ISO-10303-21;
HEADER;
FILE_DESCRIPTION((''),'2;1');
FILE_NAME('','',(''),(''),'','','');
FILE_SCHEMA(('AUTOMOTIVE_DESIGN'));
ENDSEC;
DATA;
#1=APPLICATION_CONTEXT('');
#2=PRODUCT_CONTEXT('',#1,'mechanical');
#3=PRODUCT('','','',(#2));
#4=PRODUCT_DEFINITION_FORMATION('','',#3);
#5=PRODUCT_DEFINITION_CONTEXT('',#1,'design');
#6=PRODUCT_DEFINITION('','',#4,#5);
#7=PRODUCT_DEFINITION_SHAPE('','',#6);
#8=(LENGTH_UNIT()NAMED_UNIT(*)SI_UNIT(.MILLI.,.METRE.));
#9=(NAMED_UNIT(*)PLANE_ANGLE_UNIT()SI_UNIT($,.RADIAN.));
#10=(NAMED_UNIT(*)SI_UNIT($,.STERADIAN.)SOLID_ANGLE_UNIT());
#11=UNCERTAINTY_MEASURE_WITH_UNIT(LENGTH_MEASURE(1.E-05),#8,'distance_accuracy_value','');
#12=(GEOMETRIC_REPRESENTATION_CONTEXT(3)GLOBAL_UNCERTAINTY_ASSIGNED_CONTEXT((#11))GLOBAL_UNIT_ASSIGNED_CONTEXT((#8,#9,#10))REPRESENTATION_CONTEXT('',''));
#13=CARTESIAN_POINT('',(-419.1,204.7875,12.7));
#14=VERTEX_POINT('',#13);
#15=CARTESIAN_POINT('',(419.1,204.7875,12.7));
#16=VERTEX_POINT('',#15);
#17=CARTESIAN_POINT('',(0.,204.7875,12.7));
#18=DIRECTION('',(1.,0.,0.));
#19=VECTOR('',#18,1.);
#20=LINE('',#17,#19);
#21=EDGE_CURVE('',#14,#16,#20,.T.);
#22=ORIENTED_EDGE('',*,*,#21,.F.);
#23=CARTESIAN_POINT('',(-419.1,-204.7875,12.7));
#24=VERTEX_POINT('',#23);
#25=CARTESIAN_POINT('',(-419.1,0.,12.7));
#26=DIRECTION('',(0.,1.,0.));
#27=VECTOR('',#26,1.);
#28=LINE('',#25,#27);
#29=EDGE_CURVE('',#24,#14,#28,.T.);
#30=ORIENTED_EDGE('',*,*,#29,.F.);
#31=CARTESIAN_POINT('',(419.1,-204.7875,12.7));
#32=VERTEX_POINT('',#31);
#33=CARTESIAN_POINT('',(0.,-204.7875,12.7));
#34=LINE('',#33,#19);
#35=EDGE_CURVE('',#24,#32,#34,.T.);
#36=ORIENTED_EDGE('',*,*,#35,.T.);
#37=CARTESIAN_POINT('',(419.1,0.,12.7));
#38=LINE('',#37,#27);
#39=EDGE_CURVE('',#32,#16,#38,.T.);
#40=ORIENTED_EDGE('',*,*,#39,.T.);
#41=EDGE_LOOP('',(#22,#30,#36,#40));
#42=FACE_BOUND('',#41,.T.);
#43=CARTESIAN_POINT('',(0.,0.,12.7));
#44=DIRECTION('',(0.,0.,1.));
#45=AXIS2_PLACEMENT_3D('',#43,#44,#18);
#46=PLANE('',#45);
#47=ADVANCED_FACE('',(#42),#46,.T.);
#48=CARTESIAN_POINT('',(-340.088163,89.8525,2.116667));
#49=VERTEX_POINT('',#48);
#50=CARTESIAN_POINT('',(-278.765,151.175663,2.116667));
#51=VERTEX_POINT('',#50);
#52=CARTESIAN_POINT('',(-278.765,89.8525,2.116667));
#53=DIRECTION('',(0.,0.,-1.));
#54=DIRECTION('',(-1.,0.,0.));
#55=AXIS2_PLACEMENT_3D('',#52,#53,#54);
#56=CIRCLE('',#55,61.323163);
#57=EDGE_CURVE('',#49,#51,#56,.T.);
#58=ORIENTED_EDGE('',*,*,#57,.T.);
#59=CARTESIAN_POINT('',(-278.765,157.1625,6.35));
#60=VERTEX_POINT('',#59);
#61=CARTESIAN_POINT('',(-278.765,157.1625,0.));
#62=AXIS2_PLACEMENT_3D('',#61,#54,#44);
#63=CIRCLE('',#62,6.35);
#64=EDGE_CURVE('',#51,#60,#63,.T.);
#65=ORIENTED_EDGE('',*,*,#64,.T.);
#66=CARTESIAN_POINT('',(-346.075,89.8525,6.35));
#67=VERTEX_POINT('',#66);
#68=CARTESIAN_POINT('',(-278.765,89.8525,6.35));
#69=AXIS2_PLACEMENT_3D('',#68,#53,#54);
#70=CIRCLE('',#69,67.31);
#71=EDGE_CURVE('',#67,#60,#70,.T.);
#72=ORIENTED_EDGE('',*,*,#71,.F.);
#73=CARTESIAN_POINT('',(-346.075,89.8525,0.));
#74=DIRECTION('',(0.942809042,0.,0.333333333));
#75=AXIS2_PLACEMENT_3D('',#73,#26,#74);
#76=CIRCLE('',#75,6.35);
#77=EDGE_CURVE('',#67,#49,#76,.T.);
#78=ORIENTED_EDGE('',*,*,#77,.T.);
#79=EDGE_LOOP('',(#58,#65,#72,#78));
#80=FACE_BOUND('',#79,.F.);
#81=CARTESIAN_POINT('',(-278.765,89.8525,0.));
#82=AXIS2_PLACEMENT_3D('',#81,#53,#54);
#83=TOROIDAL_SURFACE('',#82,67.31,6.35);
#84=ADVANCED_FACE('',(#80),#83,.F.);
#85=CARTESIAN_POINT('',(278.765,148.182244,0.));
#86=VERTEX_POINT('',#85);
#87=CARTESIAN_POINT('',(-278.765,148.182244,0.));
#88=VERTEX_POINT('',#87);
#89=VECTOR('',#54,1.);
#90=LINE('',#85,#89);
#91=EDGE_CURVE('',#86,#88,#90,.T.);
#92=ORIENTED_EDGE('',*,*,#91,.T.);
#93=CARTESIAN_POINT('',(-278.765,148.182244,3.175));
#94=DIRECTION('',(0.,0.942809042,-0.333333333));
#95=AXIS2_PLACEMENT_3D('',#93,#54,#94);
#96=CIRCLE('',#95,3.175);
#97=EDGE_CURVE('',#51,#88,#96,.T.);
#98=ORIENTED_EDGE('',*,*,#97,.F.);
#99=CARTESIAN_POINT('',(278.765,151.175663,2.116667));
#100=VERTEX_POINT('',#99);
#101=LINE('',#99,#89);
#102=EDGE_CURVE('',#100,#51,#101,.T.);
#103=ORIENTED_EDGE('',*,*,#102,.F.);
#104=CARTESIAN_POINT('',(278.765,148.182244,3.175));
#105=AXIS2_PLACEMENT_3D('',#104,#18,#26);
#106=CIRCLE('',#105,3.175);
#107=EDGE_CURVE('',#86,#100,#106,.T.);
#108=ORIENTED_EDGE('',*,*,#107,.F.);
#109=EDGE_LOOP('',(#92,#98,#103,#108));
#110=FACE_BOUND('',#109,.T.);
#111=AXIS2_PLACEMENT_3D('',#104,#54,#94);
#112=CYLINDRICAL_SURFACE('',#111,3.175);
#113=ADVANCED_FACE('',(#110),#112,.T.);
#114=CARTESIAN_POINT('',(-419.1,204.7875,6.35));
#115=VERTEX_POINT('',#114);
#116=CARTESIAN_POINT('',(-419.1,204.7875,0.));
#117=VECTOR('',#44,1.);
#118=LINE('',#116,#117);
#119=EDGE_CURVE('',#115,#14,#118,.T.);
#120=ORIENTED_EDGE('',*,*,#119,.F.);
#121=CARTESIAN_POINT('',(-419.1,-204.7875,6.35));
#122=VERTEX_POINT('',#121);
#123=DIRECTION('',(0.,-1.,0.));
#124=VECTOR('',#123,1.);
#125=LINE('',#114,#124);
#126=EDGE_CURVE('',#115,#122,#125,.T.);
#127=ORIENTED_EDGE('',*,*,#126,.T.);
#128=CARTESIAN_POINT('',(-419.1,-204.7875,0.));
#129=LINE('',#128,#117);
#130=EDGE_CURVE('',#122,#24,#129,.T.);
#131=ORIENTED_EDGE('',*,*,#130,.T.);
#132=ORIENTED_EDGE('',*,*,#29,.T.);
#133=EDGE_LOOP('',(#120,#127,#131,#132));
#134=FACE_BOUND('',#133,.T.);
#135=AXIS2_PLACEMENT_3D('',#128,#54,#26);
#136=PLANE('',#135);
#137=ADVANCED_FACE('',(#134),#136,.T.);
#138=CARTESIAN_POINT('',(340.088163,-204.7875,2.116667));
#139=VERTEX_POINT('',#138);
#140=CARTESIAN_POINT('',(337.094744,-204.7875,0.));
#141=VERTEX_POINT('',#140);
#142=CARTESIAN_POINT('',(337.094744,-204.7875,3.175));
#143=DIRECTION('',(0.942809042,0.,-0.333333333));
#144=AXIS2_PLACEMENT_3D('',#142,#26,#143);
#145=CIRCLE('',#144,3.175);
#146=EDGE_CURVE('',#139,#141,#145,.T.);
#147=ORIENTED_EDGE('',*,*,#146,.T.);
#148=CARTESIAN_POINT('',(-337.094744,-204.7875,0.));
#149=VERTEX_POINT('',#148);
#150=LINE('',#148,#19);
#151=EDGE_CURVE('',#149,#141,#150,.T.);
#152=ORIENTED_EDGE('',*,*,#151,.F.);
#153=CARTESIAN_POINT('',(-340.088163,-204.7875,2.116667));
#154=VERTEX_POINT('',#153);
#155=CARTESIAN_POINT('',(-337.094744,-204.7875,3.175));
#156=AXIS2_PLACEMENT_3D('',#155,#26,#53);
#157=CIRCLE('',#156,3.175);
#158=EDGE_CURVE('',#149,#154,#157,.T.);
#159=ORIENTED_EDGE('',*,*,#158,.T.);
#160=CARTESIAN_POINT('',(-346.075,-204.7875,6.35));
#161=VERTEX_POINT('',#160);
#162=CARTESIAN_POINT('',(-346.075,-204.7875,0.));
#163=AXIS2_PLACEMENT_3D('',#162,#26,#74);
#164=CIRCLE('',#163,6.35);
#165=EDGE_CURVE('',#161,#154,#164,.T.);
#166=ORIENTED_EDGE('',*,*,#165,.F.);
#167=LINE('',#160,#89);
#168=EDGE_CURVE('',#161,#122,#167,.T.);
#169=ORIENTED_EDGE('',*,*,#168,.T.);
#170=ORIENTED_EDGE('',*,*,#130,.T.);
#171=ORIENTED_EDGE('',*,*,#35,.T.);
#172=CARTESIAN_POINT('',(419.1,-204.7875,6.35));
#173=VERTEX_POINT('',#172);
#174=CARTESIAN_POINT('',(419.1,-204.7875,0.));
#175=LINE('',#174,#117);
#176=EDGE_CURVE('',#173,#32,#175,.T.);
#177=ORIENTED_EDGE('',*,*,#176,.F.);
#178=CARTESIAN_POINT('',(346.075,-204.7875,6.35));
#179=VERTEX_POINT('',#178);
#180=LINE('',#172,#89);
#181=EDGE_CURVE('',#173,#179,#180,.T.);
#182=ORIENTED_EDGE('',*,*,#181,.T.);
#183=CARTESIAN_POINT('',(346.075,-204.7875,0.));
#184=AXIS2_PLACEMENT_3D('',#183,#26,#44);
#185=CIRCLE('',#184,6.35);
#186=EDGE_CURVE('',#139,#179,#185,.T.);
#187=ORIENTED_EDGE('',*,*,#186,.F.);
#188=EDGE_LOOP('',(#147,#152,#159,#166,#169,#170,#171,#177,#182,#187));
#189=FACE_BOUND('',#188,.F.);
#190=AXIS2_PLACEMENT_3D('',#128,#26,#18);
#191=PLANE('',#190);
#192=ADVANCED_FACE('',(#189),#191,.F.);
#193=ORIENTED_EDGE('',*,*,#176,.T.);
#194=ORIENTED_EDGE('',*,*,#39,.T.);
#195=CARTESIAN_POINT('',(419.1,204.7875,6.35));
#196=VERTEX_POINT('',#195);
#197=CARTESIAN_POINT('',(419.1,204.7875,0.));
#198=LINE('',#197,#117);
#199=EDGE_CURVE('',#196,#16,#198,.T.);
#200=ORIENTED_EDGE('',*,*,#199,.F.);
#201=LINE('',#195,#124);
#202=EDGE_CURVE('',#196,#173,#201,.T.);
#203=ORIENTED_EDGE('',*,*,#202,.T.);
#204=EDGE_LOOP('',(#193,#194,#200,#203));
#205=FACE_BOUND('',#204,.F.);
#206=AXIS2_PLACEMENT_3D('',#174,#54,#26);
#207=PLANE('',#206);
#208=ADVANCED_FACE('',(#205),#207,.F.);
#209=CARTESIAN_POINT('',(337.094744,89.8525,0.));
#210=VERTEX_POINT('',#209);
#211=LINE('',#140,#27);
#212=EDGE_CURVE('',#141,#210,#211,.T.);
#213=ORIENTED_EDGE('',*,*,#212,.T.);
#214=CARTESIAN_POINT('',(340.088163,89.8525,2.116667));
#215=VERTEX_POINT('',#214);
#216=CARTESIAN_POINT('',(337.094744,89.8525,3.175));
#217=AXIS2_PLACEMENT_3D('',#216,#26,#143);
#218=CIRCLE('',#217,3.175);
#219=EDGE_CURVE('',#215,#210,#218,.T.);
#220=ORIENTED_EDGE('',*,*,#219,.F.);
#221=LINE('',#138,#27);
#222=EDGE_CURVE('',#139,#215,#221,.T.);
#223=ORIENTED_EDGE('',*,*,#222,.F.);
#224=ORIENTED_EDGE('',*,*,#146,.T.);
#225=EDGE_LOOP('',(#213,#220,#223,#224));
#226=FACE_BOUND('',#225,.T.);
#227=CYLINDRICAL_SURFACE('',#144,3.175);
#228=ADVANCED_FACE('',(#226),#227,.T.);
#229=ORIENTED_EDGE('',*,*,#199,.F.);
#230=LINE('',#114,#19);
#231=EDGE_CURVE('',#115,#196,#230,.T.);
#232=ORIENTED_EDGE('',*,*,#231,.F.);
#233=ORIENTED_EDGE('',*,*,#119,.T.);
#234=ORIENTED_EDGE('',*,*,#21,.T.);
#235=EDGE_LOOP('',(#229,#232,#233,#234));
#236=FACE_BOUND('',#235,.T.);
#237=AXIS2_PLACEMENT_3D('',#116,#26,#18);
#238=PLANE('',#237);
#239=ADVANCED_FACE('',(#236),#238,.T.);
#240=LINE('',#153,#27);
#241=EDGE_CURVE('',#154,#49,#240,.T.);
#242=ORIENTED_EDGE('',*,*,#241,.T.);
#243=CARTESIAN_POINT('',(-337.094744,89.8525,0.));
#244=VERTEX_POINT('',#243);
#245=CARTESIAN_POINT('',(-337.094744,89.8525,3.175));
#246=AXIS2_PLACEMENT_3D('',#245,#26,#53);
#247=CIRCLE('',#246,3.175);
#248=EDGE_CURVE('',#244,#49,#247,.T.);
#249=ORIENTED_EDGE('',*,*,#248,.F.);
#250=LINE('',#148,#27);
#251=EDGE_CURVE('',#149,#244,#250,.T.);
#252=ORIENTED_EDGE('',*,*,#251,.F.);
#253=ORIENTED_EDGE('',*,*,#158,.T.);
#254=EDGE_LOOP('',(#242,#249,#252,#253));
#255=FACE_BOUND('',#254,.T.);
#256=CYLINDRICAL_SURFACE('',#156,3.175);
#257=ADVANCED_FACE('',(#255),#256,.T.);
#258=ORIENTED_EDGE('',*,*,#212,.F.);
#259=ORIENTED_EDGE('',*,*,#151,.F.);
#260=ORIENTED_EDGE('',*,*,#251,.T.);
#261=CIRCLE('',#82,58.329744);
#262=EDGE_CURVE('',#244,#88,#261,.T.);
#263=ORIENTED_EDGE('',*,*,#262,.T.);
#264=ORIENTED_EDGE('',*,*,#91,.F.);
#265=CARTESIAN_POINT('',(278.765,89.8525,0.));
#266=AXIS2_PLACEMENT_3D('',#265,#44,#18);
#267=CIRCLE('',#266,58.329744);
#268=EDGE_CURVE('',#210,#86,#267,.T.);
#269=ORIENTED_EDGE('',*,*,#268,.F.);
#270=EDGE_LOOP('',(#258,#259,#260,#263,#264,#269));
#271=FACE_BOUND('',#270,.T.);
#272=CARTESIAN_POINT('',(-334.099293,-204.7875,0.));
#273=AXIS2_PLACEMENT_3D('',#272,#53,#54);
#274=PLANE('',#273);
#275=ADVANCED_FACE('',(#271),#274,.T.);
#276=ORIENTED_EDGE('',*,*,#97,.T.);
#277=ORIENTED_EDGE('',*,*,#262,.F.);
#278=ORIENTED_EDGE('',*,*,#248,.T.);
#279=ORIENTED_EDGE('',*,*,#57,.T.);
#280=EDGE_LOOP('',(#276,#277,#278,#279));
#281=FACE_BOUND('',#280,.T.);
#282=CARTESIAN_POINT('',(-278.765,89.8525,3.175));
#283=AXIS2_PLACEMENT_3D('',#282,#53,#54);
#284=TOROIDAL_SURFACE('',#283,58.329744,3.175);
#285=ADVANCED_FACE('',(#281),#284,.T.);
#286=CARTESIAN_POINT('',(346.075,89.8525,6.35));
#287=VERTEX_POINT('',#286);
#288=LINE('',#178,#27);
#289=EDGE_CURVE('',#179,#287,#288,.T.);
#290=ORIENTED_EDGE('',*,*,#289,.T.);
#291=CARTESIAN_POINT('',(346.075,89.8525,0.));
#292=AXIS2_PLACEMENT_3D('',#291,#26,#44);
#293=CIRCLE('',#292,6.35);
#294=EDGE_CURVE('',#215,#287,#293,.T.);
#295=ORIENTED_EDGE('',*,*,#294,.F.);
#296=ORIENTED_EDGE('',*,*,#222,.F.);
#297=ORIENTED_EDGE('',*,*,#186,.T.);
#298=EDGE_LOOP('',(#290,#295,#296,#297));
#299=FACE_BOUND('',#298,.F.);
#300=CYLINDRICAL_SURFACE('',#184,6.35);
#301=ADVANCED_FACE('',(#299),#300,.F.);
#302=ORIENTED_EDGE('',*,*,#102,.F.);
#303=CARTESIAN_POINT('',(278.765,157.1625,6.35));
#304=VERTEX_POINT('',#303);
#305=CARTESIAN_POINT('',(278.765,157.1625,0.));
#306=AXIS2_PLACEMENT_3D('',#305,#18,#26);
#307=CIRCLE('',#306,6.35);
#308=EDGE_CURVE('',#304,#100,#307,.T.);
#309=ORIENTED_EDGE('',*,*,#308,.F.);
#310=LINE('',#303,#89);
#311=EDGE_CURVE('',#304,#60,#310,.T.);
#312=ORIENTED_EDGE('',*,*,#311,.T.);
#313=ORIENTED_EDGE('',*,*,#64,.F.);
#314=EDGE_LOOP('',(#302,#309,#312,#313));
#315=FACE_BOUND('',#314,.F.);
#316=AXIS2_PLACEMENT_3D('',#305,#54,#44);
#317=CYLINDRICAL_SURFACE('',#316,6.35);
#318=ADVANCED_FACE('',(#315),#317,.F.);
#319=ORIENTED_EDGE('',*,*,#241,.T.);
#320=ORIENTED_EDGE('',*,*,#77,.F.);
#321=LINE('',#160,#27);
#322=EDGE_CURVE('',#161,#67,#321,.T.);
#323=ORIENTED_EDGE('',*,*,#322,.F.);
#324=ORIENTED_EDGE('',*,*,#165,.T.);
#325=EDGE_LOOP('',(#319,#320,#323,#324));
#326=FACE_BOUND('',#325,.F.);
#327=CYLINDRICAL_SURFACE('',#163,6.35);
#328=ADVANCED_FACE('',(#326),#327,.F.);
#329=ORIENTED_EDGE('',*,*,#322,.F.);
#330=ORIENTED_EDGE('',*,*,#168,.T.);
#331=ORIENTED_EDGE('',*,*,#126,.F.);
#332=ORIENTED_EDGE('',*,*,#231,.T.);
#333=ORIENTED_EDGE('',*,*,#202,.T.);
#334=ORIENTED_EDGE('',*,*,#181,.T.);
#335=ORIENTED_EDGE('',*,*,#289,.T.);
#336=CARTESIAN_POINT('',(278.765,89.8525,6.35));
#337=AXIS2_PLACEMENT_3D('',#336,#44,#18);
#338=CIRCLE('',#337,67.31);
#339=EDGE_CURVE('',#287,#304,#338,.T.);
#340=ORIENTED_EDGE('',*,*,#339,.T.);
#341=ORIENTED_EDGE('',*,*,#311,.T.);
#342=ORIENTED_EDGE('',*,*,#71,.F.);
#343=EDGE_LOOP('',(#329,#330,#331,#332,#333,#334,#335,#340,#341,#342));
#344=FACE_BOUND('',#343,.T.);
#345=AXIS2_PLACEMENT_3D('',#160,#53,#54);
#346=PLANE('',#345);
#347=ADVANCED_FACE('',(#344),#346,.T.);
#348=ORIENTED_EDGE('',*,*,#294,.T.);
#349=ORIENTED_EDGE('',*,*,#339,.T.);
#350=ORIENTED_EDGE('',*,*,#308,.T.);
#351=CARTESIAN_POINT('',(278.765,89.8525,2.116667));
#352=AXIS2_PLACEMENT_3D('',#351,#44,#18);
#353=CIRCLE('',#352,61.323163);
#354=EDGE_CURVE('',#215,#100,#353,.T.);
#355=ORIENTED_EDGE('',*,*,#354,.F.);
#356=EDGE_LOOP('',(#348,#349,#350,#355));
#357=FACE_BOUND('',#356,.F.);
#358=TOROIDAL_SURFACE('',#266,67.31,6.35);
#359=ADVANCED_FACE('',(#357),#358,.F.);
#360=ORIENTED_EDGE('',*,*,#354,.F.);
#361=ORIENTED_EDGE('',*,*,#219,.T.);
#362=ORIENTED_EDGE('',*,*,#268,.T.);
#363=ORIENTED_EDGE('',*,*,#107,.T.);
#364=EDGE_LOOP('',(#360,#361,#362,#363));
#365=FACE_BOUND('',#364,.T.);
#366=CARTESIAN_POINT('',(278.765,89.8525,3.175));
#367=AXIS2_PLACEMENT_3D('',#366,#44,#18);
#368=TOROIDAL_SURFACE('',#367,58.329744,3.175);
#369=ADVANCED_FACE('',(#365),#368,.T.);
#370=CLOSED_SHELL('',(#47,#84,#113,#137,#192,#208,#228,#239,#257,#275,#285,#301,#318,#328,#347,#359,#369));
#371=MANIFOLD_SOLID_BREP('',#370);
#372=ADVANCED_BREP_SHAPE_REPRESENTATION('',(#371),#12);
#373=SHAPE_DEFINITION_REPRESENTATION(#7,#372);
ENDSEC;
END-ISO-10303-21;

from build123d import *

# Parameters (mm, degrees)
F0_W     = 838.2
F0_H     = 409.575
F1_DEPTH = 12.7
F7_DEPTH = 6.35


with BuildPart() as f1:
    # F0 (on Top) → F1 (new body)
    with BuildSketch(Plane.XY):
        Rectangle(F0_W, F0_H)
    extrude(amount=F1_DEPTH)

    # F4: sweep along a path in F2
    with BuildLine(Plane(origin=(0, 0, 0), x_dir=(1, 0, 0), z_dir=(0, 0, -1))) as f4_path:
        Line((339.725, 204.7875), (339.725, -89.8525))
        ThreePointArc((339.725, -89.8525), (321.8702293811, -132.9577293811), (278.765, -150.8125))
        Line((278.765, -150.8125), (-278.765, -150.8125))
    # F3 (on face) → F4 (sweep, cut)
    with BuildSketch(Plane.XZ.offset(204.7875)):
        with BuildLine():
            Line((419.1, 0), (419.1, 6.35))
            Line((419.1, 6.35), (346.075, 6.35))
            ThreePointArc((346.075, 6.35), (342.4088257906, 5.1847532889), (340.088162586, 2.1166666667))
            ThreePointArc((340.088162586, 2.1166666667), (338.9278309836, 0.5826233556), (337.0947438789, 0))
            Line((337.0947438789, 0), (419.1, 0))
        make_face()
        Polygon((419.1, -8.3515942097), (419.1, 0), (337.0947438789, 0), (334.0992927551, 0), (334.0992927551, -8.3515942097), align=None)
    sweep(path=f4_path.line, mode=Mode.SUBTRACT)

    # F5: sweep along a path in F2
    with BuildLine(Plane(origin=(0, 0, 0), x_dir=(1, 0, 0), z_dir=(0, 0, -1))) as f5_path:
        Line((-339.725, 204.7875), (-339.725, -89.8525))
        ThreePointArc((-339.725, -89.8525), (-321.8702293811, -132.9577293811), (-278.765, -150.8125))
    # F3 (on face) → F5 (sweep, cut)
    with BuildSketch(Plane.XZ.offset(204.7875)):
        Polygon((-334.0992927551, -8.3515942097), (-334.0992927551, 0), (-337.0947438789, 0), (-419.1, 0), (-419.1, -8.3515942097), align=None)
        with BuildLine():
            Line((-346.075, 6.35), (-419.1, 6.35))
            Line((-419.1, 6.35), (-419.1, 0))
            Line((-419.1, 0), (-337.0947438789, 0))
            ThreePointArc((-337.0947438789, 0), (-338.9278309836, 0.5826233556), (-340.088162586, 2.1166666667))
            ThreePointArc((-340.088162586, 2.1166666667), (-342.4088257906, 5.1847532889), (-346.075, 6.35))
        make_face()
    sweep(path=f5_path.line, mode=Mode.SUBTRACT)

    # F6 (on face) → F7 (cut)
    with BuildSketch(Plane(origin=(0, 0, 0), x_dir=(1, 0, 0), z_dir=(0, 0, -1))):
        Polygon((-393.2344317436, -48.8721951842), (-452.7488350868, -48.8721951842), (-471.2188243866, -238.360658288), (-328.9314508438, -230.1517724991), align=None)
        Polygon((437.9153549671, 9.2740878463), (311.3617002964, -234.2562228441), (450.2286911011, -257.5147151947), align=None)
    extrude(amount=-F7_DEPTH, mode=Mode.SUBTRACT)


solid = f1.part
